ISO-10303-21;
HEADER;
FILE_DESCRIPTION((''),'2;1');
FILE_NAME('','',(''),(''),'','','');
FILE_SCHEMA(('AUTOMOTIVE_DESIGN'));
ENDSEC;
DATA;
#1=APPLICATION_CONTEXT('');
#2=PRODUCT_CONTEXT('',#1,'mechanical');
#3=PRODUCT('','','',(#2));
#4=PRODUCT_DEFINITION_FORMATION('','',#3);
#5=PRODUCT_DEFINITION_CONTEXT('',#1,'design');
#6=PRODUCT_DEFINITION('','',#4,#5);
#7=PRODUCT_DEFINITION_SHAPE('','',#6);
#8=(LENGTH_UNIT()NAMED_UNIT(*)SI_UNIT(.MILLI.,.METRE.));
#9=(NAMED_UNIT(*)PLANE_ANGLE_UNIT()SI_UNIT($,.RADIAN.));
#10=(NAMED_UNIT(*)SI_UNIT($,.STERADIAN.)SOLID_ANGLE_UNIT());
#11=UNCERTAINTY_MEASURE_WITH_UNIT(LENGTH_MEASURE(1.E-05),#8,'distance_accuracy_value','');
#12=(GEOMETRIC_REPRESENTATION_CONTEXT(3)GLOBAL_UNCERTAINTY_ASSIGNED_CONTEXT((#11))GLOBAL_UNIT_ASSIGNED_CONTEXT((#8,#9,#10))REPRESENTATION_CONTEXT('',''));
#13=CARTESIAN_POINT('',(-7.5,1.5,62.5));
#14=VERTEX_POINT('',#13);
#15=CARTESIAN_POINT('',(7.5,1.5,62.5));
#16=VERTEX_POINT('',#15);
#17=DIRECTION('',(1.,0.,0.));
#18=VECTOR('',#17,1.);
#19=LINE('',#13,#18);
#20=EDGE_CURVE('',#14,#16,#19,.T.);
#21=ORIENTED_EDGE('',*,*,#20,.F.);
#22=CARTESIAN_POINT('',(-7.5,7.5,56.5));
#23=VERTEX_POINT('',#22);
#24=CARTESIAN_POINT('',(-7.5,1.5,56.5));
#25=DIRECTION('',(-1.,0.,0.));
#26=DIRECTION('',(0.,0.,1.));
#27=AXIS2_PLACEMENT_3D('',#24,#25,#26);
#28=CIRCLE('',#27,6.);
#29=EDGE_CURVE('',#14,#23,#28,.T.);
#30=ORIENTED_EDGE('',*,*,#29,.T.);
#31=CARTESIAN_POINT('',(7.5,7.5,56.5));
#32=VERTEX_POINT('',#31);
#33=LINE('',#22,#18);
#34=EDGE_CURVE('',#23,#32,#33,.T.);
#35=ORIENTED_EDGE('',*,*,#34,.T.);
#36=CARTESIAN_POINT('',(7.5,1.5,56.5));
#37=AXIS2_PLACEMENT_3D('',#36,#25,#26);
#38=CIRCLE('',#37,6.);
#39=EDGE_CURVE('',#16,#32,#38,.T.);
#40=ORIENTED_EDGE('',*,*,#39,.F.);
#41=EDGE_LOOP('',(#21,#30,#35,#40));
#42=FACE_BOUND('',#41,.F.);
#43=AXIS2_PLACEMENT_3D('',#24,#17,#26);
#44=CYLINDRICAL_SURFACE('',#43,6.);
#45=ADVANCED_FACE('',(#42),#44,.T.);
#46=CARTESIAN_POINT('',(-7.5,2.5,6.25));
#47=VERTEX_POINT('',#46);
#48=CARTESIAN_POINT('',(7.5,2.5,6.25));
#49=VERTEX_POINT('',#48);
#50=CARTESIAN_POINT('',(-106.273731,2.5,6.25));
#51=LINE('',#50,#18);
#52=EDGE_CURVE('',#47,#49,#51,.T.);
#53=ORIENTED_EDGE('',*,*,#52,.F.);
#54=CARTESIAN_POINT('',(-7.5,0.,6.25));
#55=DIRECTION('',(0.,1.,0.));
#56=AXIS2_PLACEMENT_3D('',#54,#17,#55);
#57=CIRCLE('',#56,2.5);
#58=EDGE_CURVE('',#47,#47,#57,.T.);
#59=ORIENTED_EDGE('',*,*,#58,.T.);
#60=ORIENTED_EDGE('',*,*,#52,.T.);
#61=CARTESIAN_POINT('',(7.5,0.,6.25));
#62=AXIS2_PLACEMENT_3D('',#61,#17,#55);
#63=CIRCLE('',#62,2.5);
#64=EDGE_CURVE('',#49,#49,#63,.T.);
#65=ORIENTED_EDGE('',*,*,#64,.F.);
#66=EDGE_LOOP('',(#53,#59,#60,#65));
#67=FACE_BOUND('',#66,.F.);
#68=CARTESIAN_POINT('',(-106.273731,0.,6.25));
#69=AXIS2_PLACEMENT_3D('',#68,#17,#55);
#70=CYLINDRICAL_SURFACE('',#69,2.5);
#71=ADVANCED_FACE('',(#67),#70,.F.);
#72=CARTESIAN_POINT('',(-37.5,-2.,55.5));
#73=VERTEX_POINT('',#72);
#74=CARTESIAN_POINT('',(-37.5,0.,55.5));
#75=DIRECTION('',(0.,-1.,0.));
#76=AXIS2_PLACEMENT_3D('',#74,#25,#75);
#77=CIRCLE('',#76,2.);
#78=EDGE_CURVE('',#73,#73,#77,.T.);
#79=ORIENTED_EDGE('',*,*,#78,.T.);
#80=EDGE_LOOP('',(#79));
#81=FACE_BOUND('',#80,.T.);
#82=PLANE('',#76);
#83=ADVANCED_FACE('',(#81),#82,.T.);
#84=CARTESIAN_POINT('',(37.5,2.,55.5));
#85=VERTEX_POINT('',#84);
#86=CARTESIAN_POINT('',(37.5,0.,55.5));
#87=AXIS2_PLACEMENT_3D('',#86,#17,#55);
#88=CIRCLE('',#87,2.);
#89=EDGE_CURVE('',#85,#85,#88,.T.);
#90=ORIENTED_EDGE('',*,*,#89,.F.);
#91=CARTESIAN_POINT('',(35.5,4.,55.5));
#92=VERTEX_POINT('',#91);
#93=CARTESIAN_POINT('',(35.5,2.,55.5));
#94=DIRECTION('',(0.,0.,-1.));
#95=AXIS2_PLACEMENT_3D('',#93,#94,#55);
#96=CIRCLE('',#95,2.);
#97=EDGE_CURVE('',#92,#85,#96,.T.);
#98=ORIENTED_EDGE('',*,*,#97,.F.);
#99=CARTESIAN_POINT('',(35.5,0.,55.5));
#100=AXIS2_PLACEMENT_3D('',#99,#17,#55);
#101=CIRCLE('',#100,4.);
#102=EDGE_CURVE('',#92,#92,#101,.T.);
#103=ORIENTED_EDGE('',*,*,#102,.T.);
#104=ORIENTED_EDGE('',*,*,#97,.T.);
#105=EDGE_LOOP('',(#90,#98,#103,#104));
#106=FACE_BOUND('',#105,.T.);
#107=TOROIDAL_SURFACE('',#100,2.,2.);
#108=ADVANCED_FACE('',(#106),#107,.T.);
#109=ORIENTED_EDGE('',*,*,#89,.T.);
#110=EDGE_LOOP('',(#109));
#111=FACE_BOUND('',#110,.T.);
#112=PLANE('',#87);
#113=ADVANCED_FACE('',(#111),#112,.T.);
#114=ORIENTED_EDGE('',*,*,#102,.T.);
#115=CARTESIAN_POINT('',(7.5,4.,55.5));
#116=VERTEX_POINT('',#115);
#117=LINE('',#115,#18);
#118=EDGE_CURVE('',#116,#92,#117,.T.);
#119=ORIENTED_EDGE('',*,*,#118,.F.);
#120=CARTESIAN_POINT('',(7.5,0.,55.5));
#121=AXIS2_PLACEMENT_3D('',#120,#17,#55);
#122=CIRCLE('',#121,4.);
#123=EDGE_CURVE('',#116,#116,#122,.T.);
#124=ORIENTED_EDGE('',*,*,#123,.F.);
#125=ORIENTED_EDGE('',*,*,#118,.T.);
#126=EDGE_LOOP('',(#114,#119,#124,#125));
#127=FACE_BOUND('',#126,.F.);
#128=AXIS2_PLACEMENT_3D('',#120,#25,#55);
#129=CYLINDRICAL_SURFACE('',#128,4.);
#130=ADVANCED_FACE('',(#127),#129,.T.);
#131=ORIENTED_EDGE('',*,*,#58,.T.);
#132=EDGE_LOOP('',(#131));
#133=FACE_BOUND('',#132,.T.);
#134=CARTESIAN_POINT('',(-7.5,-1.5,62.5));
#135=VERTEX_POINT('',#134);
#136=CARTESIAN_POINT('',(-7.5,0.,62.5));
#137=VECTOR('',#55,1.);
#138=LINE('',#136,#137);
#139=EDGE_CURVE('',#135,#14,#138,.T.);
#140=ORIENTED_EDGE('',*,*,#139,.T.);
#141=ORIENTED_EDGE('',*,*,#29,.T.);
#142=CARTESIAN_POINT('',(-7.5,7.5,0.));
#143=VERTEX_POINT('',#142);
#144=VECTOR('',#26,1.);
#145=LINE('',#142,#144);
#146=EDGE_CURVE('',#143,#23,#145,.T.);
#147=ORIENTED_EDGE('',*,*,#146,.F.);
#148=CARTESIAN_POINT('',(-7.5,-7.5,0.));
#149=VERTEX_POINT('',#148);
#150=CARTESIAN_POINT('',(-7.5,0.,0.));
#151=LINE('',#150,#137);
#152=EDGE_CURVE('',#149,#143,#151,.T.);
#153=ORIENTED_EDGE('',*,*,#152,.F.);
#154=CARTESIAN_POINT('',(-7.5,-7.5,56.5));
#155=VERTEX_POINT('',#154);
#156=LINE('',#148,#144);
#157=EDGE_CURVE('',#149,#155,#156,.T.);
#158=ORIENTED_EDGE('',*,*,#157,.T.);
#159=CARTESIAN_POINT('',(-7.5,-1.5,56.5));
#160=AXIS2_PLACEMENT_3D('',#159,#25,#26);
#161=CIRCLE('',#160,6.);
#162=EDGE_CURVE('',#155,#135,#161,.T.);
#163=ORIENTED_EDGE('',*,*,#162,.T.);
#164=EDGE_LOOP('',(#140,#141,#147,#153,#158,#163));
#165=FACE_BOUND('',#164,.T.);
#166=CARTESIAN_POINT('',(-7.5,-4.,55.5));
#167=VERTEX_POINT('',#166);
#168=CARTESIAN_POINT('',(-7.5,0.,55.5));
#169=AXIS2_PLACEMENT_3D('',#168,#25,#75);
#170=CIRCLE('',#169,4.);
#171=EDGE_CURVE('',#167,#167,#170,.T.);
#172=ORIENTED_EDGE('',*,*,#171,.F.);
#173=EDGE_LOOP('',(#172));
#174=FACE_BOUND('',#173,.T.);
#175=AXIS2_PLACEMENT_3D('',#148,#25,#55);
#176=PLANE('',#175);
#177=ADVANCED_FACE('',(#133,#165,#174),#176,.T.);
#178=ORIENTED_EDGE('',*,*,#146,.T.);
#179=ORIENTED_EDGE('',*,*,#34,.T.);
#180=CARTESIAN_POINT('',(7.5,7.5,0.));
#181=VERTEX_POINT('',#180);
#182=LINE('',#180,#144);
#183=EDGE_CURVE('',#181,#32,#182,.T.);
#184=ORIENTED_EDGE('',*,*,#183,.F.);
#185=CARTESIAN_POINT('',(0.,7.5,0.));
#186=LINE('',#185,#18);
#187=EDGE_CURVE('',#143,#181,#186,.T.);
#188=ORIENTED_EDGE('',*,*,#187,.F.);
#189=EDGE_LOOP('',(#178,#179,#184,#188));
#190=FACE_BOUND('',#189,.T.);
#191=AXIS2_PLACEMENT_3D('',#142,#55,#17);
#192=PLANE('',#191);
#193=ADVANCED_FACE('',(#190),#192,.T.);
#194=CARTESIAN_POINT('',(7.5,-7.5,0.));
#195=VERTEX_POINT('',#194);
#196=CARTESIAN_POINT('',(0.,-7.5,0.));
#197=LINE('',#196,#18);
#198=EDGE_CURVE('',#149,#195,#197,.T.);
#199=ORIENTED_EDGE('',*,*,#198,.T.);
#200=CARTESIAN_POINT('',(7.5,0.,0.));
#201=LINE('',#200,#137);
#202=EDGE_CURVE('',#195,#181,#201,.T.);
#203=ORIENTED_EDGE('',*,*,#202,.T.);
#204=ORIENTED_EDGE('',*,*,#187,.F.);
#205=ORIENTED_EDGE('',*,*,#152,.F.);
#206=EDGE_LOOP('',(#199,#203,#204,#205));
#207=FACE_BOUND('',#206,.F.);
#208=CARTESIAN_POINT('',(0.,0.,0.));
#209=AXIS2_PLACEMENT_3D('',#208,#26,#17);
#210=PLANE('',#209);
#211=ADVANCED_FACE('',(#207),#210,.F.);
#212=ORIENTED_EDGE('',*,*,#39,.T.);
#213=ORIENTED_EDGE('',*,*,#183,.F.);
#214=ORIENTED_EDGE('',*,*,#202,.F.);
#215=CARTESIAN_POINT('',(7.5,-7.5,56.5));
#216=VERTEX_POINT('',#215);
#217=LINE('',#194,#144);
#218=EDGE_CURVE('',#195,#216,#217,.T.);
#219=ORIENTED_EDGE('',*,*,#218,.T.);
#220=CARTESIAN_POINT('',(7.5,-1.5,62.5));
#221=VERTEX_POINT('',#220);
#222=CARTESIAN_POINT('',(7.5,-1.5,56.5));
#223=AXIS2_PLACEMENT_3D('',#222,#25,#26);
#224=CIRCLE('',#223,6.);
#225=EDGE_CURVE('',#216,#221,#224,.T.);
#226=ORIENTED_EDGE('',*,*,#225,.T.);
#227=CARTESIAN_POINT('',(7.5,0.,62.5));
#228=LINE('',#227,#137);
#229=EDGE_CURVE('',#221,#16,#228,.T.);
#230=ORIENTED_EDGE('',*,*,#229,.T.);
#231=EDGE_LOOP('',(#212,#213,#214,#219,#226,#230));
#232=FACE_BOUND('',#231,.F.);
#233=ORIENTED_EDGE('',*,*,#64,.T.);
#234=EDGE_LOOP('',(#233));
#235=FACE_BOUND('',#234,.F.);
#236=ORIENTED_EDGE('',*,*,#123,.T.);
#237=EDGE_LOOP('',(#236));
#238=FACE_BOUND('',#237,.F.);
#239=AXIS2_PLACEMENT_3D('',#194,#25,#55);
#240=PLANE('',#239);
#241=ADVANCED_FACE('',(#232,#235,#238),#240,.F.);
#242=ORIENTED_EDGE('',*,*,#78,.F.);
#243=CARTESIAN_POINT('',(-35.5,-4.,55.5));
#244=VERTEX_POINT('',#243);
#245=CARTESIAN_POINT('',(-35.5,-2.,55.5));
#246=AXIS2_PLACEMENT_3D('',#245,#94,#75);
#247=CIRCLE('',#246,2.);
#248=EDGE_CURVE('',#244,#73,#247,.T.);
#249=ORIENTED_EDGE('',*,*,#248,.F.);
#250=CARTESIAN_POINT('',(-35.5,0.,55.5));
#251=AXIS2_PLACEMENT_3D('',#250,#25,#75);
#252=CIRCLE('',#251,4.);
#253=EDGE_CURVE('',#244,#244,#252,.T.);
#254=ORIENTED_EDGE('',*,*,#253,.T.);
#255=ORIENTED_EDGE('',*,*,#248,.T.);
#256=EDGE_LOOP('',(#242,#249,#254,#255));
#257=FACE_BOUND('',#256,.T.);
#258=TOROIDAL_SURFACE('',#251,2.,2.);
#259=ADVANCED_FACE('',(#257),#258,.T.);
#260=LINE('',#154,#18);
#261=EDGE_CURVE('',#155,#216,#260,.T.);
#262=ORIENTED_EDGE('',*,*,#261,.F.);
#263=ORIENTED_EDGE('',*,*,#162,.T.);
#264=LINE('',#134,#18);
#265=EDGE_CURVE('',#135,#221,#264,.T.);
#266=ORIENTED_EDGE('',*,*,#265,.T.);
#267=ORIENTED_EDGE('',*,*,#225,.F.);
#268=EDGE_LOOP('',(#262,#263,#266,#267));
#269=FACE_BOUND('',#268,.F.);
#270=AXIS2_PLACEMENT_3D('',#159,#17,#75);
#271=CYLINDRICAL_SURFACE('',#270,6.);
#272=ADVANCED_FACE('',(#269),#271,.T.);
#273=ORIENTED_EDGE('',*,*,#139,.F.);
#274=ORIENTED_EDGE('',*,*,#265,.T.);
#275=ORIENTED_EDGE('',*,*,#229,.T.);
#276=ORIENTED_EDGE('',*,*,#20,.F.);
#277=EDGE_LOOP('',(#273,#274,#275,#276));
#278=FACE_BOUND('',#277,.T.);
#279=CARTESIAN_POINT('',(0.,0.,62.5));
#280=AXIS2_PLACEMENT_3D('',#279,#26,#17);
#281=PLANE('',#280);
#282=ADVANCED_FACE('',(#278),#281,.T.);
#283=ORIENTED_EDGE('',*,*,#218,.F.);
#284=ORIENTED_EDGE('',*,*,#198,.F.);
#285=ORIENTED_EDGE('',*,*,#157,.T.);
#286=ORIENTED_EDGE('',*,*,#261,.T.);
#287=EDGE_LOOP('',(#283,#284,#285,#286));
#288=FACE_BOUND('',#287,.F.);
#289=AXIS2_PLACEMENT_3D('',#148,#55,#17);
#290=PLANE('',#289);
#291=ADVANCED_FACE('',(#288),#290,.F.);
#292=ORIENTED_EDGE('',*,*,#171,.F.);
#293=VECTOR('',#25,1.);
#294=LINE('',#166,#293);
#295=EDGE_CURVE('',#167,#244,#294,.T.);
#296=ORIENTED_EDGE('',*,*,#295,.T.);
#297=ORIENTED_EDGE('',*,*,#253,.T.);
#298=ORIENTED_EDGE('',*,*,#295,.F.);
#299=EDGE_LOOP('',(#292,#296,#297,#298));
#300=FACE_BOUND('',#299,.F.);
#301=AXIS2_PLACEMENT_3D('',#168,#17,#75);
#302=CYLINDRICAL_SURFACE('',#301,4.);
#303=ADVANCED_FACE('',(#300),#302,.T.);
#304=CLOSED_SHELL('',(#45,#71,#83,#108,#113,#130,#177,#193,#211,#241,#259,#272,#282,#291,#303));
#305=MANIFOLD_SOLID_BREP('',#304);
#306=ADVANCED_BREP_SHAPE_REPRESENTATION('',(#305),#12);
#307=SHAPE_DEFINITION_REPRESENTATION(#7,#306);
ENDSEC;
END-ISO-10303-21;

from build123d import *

# Parameters (mm, degrees)
F0_W     = 15
F0_H     = 15
F1_DEPTH = 62.5
F3_R     = 6
F4_R     = 6
F2_R     = 4
F5_DEPTH = 30
F6_R     = 4
F7_DEPTH = 30
F9_D     = 5
F10_R    = 2
F11_R    = 2


with BuildPart() as f1:
    # F0 (on Top) → F1 (new body)
    with BuildSketch(Plane.XY):
        Rectangle(F0_W, F0_H)
    extrude(amount=F1_DEPTH)

    # F3
    f3_edges = [f1.edges().sort_by_distance(p)[0] for p in [
        (0, -7.5, 62.5),
    ]]
    fillet(f3_edges, radius=F3_R)

    # F4
    f4_edges = [f1.edges().sort_by_distance(p)[0] for p in [
        (0, 7.5, 62.5),
    ]]
    fillet(f4_edges, radius=F4_R)

    # F2 (on face) → F5 (join)
    with BuildSketch(Plane(origin=(-7.5, 0, 0), x_dir=(0, -1, 0), z_dir=(-1, 0, 0))):
        with Locations((0, 55.5)):
            Circle(F2_R)
    extrude(amount=F5_DEPTH)

    # F6 (on face) → F7 (join)
    with BuildSketch(Plane.YZ.offset(7.5)):
        with Locations((0, 55.5)):
            Circle(F6_R)
    extrude(amount=F7_DEPTH)

    # F9 (through all)
    with Locations(Plane(origin=(-7.5, 0, 0), x_dir=(0, -1, 0), z_dir=(-1, 0, 0))):
        with Locations((0, 6.25)):
            Hole(F9_D / 2)

    # F10
    f10_edges = [f1.edges().sort_by_distance(p)[0] for p in [
        (37.5, -4, 55.5),
    ]]
    fillet(f10_edges, radius=F10_R)

    # F11
    f11_edges = [f1.edges().sort_by_distance(p)[0] for p in [
        (-37.5, 4, 55.5),
    ]]
    fillet(f11_edges, radius=F11_R)


solid = f1.part
